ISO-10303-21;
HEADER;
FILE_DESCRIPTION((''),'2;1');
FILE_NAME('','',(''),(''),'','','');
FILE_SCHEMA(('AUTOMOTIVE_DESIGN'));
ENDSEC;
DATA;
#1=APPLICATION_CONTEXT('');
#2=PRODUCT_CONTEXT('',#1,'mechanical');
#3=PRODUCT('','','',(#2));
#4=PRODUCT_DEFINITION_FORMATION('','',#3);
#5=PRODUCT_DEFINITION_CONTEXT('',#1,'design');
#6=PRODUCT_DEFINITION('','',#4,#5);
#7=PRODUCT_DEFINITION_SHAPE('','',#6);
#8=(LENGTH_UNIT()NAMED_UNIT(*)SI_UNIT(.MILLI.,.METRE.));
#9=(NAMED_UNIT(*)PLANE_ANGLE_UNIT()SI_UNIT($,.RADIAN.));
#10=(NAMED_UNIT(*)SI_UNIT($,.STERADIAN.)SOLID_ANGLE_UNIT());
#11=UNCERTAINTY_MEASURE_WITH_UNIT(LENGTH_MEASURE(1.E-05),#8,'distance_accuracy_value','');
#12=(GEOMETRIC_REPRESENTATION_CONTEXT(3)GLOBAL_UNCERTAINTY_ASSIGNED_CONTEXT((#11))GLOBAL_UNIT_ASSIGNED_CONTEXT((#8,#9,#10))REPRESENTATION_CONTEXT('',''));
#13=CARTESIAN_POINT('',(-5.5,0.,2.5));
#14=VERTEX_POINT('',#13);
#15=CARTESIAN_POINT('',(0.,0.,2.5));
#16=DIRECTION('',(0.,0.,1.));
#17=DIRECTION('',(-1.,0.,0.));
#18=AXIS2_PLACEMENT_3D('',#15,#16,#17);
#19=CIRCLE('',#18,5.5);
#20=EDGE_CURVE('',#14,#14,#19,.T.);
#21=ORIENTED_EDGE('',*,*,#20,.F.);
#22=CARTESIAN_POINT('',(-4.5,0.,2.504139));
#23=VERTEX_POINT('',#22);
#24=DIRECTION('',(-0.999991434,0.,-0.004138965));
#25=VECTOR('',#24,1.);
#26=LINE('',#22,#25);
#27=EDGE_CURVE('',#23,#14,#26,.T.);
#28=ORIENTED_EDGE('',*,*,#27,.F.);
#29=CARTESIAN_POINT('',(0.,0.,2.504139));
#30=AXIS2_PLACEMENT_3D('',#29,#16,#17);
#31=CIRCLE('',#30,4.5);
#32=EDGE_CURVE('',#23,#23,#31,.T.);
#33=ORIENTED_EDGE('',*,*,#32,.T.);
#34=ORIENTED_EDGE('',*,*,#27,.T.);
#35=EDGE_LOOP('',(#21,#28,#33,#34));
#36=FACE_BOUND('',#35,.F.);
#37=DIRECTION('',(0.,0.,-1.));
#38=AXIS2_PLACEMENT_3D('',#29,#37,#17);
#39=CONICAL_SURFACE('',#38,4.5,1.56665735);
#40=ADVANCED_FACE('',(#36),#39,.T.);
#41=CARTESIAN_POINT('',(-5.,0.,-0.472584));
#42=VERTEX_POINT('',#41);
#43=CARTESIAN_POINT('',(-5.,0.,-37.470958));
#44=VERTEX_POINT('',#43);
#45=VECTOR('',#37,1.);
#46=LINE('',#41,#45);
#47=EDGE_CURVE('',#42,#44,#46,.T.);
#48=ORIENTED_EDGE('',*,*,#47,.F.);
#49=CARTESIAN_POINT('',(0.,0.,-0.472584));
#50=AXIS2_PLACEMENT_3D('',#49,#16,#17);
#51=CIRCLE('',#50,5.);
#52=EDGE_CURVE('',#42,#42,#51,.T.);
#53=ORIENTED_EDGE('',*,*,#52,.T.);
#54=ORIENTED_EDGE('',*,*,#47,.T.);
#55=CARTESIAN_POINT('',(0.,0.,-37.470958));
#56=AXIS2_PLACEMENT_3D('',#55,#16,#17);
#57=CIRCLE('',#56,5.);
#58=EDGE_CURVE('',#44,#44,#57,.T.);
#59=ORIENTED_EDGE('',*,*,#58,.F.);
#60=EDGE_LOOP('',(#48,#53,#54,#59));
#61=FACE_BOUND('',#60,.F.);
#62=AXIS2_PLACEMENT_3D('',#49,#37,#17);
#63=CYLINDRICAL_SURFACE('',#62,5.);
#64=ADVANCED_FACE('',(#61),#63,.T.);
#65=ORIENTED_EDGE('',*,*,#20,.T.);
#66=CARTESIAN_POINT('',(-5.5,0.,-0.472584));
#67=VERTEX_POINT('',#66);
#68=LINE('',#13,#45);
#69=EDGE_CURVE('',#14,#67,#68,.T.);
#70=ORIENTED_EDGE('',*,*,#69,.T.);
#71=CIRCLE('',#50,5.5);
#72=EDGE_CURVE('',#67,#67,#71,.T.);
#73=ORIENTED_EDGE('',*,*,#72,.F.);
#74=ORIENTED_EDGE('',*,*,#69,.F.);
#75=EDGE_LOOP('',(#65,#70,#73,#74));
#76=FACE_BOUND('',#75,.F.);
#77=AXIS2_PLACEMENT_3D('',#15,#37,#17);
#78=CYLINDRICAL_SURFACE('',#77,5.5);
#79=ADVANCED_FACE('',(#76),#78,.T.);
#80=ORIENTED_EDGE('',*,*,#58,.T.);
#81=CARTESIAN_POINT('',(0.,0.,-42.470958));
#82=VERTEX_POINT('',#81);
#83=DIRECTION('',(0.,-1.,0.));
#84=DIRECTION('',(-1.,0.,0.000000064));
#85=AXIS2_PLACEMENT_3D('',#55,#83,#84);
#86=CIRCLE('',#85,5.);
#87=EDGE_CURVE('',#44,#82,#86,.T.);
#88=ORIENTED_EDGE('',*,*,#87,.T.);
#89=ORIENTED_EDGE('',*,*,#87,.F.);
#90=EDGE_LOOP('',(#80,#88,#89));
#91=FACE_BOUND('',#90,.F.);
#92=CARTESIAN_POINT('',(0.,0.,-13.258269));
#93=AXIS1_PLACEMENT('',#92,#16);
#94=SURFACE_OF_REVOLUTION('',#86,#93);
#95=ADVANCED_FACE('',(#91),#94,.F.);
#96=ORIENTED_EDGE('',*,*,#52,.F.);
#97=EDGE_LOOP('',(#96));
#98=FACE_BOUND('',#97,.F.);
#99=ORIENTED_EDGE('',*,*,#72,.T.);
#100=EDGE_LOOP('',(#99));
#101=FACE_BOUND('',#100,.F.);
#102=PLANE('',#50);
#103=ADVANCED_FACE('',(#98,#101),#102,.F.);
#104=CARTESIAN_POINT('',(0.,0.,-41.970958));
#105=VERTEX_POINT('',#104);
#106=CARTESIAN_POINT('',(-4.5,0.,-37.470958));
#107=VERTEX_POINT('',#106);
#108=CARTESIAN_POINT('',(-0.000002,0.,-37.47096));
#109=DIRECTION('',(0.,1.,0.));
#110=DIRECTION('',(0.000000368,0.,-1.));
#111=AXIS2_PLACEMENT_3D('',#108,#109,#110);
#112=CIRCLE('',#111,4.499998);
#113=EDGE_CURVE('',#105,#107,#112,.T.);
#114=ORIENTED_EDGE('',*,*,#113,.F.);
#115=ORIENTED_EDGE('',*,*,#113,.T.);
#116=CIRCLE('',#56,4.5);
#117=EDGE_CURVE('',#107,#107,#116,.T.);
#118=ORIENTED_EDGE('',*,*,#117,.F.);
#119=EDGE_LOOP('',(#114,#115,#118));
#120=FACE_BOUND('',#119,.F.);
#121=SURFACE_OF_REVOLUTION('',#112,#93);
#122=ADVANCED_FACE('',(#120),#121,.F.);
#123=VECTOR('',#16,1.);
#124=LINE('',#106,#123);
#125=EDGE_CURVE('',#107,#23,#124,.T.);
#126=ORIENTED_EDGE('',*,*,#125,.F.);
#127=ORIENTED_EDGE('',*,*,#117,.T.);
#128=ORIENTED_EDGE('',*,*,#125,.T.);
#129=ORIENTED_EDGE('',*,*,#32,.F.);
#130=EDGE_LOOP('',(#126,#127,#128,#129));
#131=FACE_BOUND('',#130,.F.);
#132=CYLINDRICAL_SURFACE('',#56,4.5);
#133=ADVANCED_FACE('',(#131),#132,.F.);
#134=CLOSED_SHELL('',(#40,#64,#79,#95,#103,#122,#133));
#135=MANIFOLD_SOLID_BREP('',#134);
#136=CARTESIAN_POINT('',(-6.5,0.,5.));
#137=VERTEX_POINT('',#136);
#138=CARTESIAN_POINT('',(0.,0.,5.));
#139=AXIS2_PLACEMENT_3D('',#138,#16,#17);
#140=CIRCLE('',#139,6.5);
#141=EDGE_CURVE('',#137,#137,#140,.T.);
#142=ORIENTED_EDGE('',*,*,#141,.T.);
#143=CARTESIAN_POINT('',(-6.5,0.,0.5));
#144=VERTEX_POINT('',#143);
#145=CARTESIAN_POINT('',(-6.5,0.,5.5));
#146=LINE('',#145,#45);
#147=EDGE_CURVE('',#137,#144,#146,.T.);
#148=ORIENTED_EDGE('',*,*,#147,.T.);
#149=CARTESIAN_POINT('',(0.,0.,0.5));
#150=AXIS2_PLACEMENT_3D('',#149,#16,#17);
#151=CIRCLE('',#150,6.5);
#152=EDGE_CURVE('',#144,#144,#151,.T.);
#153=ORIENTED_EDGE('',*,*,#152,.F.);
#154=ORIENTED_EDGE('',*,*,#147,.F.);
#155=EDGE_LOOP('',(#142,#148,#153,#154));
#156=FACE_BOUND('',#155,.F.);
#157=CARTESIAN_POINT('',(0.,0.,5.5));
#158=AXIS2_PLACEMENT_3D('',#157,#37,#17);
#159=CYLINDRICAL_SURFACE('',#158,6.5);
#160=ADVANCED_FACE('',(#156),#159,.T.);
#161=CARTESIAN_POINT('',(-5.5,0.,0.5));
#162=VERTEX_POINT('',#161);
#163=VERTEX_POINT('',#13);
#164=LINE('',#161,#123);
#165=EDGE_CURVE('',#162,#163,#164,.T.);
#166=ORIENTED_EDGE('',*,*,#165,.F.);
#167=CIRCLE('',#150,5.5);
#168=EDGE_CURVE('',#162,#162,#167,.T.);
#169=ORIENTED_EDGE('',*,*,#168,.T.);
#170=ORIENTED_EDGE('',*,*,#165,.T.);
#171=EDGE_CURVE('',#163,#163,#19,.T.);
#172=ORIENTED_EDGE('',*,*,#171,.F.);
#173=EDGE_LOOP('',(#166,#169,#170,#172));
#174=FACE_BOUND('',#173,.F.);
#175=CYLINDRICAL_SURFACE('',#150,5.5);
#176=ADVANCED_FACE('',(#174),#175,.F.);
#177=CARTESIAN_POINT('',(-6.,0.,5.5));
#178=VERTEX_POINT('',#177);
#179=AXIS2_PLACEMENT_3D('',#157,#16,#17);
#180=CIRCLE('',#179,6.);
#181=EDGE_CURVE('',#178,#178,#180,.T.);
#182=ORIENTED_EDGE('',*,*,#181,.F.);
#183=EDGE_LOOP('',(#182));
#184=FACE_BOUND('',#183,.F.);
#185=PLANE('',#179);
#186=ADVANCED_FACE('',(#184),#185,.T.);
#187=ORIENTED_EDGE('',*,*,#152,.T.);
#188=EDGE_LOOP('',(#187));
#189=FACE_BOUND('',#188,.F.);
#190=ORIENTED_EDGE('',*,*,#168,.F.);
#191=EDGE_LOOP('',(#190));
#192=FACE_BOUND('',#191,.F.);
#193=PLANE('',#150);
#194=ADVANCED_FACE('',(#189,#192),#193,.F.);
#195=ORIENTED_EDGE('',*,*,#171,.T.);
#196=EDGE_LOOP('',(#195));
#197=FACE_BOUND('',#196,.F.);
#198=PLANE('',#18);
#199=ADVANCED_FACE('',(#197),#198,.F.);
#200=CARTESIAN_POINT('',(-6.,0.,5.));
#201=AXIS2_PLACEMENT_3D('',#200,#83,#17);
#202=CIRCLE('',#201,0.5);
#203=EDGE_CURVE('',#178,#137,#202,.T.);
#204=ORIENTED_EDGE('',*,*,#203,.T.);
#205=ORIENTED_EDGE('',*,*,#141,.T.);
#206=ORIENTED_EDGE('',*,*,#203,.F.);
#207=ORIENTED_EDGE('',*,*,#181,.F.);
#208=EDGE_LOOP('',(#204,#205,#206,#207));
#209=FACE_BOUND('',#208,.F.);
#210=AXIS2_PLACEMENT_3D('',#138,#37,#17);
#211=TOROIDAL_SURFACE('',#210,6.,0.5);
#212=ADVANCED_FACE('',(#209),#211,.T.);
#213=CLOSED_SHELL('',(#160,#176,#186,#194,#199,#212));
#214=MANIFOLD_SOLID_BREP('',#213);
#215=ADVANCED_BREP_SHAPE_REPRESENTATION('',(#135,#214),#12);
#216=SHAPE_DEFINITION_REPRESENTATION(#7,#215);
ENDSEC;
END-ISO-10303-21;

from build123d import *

# Parameters (mm, degrees)
F4_R = 0.5


with BuildPart() as f1:
    # F0 (on Front) → F1 (revolve)
    with BuildSketch(Plane.XZ):
        with BuildLine():
            Line((-5.5, -0.472584), (-5, -0.472584))
            Line((-5, -0.472584), (-5, -37.470958))
            ThreePointArc((-5, -37.470958), (-3.535534, -41.006492), (0, -42.470958))
            Line((0, -42.470958), (0, -41.970958))
            ThreePointArc((0, -41.970958), (-3.181981, -40.652939), (-4.5, -37.470958))
            Line((-4.5, -37.470958), (-4.5, 2.504139))
            Line((-4.5, 2.504139), (-5.5, 2.5))
            Line((-5.5, 2.5), (-5.5, 0))
            Line((-5.5, 0), (-5.5, -0.472584))
        make_face()
    revolve(axis=Axis((0, 0, -13.258269), (0, 0, 1)))


with BuildPart() as f3:
    # F2 (on Front) → F3 (revolve)
    with BuildSketch(Plane.XZ):
        Polygon((0, 2.5), (0, 5.5), (-6.5, 5.5), (-6.5, 0.5), (-5.5, 0.5), (-5.5, 2.5), align=None)
    revolve(axis=Axis((0, 0, 2.100606), (0, 0, 1)))

    # F4
    f4_edges = [f3.edges().sort_by_distance(p)[0] for p in [
        (6.5, 0, 5.5),
    ]]
    fillet(f4_edges, radius=F4_R)


solid = Compound([f1.part, f3.part])
